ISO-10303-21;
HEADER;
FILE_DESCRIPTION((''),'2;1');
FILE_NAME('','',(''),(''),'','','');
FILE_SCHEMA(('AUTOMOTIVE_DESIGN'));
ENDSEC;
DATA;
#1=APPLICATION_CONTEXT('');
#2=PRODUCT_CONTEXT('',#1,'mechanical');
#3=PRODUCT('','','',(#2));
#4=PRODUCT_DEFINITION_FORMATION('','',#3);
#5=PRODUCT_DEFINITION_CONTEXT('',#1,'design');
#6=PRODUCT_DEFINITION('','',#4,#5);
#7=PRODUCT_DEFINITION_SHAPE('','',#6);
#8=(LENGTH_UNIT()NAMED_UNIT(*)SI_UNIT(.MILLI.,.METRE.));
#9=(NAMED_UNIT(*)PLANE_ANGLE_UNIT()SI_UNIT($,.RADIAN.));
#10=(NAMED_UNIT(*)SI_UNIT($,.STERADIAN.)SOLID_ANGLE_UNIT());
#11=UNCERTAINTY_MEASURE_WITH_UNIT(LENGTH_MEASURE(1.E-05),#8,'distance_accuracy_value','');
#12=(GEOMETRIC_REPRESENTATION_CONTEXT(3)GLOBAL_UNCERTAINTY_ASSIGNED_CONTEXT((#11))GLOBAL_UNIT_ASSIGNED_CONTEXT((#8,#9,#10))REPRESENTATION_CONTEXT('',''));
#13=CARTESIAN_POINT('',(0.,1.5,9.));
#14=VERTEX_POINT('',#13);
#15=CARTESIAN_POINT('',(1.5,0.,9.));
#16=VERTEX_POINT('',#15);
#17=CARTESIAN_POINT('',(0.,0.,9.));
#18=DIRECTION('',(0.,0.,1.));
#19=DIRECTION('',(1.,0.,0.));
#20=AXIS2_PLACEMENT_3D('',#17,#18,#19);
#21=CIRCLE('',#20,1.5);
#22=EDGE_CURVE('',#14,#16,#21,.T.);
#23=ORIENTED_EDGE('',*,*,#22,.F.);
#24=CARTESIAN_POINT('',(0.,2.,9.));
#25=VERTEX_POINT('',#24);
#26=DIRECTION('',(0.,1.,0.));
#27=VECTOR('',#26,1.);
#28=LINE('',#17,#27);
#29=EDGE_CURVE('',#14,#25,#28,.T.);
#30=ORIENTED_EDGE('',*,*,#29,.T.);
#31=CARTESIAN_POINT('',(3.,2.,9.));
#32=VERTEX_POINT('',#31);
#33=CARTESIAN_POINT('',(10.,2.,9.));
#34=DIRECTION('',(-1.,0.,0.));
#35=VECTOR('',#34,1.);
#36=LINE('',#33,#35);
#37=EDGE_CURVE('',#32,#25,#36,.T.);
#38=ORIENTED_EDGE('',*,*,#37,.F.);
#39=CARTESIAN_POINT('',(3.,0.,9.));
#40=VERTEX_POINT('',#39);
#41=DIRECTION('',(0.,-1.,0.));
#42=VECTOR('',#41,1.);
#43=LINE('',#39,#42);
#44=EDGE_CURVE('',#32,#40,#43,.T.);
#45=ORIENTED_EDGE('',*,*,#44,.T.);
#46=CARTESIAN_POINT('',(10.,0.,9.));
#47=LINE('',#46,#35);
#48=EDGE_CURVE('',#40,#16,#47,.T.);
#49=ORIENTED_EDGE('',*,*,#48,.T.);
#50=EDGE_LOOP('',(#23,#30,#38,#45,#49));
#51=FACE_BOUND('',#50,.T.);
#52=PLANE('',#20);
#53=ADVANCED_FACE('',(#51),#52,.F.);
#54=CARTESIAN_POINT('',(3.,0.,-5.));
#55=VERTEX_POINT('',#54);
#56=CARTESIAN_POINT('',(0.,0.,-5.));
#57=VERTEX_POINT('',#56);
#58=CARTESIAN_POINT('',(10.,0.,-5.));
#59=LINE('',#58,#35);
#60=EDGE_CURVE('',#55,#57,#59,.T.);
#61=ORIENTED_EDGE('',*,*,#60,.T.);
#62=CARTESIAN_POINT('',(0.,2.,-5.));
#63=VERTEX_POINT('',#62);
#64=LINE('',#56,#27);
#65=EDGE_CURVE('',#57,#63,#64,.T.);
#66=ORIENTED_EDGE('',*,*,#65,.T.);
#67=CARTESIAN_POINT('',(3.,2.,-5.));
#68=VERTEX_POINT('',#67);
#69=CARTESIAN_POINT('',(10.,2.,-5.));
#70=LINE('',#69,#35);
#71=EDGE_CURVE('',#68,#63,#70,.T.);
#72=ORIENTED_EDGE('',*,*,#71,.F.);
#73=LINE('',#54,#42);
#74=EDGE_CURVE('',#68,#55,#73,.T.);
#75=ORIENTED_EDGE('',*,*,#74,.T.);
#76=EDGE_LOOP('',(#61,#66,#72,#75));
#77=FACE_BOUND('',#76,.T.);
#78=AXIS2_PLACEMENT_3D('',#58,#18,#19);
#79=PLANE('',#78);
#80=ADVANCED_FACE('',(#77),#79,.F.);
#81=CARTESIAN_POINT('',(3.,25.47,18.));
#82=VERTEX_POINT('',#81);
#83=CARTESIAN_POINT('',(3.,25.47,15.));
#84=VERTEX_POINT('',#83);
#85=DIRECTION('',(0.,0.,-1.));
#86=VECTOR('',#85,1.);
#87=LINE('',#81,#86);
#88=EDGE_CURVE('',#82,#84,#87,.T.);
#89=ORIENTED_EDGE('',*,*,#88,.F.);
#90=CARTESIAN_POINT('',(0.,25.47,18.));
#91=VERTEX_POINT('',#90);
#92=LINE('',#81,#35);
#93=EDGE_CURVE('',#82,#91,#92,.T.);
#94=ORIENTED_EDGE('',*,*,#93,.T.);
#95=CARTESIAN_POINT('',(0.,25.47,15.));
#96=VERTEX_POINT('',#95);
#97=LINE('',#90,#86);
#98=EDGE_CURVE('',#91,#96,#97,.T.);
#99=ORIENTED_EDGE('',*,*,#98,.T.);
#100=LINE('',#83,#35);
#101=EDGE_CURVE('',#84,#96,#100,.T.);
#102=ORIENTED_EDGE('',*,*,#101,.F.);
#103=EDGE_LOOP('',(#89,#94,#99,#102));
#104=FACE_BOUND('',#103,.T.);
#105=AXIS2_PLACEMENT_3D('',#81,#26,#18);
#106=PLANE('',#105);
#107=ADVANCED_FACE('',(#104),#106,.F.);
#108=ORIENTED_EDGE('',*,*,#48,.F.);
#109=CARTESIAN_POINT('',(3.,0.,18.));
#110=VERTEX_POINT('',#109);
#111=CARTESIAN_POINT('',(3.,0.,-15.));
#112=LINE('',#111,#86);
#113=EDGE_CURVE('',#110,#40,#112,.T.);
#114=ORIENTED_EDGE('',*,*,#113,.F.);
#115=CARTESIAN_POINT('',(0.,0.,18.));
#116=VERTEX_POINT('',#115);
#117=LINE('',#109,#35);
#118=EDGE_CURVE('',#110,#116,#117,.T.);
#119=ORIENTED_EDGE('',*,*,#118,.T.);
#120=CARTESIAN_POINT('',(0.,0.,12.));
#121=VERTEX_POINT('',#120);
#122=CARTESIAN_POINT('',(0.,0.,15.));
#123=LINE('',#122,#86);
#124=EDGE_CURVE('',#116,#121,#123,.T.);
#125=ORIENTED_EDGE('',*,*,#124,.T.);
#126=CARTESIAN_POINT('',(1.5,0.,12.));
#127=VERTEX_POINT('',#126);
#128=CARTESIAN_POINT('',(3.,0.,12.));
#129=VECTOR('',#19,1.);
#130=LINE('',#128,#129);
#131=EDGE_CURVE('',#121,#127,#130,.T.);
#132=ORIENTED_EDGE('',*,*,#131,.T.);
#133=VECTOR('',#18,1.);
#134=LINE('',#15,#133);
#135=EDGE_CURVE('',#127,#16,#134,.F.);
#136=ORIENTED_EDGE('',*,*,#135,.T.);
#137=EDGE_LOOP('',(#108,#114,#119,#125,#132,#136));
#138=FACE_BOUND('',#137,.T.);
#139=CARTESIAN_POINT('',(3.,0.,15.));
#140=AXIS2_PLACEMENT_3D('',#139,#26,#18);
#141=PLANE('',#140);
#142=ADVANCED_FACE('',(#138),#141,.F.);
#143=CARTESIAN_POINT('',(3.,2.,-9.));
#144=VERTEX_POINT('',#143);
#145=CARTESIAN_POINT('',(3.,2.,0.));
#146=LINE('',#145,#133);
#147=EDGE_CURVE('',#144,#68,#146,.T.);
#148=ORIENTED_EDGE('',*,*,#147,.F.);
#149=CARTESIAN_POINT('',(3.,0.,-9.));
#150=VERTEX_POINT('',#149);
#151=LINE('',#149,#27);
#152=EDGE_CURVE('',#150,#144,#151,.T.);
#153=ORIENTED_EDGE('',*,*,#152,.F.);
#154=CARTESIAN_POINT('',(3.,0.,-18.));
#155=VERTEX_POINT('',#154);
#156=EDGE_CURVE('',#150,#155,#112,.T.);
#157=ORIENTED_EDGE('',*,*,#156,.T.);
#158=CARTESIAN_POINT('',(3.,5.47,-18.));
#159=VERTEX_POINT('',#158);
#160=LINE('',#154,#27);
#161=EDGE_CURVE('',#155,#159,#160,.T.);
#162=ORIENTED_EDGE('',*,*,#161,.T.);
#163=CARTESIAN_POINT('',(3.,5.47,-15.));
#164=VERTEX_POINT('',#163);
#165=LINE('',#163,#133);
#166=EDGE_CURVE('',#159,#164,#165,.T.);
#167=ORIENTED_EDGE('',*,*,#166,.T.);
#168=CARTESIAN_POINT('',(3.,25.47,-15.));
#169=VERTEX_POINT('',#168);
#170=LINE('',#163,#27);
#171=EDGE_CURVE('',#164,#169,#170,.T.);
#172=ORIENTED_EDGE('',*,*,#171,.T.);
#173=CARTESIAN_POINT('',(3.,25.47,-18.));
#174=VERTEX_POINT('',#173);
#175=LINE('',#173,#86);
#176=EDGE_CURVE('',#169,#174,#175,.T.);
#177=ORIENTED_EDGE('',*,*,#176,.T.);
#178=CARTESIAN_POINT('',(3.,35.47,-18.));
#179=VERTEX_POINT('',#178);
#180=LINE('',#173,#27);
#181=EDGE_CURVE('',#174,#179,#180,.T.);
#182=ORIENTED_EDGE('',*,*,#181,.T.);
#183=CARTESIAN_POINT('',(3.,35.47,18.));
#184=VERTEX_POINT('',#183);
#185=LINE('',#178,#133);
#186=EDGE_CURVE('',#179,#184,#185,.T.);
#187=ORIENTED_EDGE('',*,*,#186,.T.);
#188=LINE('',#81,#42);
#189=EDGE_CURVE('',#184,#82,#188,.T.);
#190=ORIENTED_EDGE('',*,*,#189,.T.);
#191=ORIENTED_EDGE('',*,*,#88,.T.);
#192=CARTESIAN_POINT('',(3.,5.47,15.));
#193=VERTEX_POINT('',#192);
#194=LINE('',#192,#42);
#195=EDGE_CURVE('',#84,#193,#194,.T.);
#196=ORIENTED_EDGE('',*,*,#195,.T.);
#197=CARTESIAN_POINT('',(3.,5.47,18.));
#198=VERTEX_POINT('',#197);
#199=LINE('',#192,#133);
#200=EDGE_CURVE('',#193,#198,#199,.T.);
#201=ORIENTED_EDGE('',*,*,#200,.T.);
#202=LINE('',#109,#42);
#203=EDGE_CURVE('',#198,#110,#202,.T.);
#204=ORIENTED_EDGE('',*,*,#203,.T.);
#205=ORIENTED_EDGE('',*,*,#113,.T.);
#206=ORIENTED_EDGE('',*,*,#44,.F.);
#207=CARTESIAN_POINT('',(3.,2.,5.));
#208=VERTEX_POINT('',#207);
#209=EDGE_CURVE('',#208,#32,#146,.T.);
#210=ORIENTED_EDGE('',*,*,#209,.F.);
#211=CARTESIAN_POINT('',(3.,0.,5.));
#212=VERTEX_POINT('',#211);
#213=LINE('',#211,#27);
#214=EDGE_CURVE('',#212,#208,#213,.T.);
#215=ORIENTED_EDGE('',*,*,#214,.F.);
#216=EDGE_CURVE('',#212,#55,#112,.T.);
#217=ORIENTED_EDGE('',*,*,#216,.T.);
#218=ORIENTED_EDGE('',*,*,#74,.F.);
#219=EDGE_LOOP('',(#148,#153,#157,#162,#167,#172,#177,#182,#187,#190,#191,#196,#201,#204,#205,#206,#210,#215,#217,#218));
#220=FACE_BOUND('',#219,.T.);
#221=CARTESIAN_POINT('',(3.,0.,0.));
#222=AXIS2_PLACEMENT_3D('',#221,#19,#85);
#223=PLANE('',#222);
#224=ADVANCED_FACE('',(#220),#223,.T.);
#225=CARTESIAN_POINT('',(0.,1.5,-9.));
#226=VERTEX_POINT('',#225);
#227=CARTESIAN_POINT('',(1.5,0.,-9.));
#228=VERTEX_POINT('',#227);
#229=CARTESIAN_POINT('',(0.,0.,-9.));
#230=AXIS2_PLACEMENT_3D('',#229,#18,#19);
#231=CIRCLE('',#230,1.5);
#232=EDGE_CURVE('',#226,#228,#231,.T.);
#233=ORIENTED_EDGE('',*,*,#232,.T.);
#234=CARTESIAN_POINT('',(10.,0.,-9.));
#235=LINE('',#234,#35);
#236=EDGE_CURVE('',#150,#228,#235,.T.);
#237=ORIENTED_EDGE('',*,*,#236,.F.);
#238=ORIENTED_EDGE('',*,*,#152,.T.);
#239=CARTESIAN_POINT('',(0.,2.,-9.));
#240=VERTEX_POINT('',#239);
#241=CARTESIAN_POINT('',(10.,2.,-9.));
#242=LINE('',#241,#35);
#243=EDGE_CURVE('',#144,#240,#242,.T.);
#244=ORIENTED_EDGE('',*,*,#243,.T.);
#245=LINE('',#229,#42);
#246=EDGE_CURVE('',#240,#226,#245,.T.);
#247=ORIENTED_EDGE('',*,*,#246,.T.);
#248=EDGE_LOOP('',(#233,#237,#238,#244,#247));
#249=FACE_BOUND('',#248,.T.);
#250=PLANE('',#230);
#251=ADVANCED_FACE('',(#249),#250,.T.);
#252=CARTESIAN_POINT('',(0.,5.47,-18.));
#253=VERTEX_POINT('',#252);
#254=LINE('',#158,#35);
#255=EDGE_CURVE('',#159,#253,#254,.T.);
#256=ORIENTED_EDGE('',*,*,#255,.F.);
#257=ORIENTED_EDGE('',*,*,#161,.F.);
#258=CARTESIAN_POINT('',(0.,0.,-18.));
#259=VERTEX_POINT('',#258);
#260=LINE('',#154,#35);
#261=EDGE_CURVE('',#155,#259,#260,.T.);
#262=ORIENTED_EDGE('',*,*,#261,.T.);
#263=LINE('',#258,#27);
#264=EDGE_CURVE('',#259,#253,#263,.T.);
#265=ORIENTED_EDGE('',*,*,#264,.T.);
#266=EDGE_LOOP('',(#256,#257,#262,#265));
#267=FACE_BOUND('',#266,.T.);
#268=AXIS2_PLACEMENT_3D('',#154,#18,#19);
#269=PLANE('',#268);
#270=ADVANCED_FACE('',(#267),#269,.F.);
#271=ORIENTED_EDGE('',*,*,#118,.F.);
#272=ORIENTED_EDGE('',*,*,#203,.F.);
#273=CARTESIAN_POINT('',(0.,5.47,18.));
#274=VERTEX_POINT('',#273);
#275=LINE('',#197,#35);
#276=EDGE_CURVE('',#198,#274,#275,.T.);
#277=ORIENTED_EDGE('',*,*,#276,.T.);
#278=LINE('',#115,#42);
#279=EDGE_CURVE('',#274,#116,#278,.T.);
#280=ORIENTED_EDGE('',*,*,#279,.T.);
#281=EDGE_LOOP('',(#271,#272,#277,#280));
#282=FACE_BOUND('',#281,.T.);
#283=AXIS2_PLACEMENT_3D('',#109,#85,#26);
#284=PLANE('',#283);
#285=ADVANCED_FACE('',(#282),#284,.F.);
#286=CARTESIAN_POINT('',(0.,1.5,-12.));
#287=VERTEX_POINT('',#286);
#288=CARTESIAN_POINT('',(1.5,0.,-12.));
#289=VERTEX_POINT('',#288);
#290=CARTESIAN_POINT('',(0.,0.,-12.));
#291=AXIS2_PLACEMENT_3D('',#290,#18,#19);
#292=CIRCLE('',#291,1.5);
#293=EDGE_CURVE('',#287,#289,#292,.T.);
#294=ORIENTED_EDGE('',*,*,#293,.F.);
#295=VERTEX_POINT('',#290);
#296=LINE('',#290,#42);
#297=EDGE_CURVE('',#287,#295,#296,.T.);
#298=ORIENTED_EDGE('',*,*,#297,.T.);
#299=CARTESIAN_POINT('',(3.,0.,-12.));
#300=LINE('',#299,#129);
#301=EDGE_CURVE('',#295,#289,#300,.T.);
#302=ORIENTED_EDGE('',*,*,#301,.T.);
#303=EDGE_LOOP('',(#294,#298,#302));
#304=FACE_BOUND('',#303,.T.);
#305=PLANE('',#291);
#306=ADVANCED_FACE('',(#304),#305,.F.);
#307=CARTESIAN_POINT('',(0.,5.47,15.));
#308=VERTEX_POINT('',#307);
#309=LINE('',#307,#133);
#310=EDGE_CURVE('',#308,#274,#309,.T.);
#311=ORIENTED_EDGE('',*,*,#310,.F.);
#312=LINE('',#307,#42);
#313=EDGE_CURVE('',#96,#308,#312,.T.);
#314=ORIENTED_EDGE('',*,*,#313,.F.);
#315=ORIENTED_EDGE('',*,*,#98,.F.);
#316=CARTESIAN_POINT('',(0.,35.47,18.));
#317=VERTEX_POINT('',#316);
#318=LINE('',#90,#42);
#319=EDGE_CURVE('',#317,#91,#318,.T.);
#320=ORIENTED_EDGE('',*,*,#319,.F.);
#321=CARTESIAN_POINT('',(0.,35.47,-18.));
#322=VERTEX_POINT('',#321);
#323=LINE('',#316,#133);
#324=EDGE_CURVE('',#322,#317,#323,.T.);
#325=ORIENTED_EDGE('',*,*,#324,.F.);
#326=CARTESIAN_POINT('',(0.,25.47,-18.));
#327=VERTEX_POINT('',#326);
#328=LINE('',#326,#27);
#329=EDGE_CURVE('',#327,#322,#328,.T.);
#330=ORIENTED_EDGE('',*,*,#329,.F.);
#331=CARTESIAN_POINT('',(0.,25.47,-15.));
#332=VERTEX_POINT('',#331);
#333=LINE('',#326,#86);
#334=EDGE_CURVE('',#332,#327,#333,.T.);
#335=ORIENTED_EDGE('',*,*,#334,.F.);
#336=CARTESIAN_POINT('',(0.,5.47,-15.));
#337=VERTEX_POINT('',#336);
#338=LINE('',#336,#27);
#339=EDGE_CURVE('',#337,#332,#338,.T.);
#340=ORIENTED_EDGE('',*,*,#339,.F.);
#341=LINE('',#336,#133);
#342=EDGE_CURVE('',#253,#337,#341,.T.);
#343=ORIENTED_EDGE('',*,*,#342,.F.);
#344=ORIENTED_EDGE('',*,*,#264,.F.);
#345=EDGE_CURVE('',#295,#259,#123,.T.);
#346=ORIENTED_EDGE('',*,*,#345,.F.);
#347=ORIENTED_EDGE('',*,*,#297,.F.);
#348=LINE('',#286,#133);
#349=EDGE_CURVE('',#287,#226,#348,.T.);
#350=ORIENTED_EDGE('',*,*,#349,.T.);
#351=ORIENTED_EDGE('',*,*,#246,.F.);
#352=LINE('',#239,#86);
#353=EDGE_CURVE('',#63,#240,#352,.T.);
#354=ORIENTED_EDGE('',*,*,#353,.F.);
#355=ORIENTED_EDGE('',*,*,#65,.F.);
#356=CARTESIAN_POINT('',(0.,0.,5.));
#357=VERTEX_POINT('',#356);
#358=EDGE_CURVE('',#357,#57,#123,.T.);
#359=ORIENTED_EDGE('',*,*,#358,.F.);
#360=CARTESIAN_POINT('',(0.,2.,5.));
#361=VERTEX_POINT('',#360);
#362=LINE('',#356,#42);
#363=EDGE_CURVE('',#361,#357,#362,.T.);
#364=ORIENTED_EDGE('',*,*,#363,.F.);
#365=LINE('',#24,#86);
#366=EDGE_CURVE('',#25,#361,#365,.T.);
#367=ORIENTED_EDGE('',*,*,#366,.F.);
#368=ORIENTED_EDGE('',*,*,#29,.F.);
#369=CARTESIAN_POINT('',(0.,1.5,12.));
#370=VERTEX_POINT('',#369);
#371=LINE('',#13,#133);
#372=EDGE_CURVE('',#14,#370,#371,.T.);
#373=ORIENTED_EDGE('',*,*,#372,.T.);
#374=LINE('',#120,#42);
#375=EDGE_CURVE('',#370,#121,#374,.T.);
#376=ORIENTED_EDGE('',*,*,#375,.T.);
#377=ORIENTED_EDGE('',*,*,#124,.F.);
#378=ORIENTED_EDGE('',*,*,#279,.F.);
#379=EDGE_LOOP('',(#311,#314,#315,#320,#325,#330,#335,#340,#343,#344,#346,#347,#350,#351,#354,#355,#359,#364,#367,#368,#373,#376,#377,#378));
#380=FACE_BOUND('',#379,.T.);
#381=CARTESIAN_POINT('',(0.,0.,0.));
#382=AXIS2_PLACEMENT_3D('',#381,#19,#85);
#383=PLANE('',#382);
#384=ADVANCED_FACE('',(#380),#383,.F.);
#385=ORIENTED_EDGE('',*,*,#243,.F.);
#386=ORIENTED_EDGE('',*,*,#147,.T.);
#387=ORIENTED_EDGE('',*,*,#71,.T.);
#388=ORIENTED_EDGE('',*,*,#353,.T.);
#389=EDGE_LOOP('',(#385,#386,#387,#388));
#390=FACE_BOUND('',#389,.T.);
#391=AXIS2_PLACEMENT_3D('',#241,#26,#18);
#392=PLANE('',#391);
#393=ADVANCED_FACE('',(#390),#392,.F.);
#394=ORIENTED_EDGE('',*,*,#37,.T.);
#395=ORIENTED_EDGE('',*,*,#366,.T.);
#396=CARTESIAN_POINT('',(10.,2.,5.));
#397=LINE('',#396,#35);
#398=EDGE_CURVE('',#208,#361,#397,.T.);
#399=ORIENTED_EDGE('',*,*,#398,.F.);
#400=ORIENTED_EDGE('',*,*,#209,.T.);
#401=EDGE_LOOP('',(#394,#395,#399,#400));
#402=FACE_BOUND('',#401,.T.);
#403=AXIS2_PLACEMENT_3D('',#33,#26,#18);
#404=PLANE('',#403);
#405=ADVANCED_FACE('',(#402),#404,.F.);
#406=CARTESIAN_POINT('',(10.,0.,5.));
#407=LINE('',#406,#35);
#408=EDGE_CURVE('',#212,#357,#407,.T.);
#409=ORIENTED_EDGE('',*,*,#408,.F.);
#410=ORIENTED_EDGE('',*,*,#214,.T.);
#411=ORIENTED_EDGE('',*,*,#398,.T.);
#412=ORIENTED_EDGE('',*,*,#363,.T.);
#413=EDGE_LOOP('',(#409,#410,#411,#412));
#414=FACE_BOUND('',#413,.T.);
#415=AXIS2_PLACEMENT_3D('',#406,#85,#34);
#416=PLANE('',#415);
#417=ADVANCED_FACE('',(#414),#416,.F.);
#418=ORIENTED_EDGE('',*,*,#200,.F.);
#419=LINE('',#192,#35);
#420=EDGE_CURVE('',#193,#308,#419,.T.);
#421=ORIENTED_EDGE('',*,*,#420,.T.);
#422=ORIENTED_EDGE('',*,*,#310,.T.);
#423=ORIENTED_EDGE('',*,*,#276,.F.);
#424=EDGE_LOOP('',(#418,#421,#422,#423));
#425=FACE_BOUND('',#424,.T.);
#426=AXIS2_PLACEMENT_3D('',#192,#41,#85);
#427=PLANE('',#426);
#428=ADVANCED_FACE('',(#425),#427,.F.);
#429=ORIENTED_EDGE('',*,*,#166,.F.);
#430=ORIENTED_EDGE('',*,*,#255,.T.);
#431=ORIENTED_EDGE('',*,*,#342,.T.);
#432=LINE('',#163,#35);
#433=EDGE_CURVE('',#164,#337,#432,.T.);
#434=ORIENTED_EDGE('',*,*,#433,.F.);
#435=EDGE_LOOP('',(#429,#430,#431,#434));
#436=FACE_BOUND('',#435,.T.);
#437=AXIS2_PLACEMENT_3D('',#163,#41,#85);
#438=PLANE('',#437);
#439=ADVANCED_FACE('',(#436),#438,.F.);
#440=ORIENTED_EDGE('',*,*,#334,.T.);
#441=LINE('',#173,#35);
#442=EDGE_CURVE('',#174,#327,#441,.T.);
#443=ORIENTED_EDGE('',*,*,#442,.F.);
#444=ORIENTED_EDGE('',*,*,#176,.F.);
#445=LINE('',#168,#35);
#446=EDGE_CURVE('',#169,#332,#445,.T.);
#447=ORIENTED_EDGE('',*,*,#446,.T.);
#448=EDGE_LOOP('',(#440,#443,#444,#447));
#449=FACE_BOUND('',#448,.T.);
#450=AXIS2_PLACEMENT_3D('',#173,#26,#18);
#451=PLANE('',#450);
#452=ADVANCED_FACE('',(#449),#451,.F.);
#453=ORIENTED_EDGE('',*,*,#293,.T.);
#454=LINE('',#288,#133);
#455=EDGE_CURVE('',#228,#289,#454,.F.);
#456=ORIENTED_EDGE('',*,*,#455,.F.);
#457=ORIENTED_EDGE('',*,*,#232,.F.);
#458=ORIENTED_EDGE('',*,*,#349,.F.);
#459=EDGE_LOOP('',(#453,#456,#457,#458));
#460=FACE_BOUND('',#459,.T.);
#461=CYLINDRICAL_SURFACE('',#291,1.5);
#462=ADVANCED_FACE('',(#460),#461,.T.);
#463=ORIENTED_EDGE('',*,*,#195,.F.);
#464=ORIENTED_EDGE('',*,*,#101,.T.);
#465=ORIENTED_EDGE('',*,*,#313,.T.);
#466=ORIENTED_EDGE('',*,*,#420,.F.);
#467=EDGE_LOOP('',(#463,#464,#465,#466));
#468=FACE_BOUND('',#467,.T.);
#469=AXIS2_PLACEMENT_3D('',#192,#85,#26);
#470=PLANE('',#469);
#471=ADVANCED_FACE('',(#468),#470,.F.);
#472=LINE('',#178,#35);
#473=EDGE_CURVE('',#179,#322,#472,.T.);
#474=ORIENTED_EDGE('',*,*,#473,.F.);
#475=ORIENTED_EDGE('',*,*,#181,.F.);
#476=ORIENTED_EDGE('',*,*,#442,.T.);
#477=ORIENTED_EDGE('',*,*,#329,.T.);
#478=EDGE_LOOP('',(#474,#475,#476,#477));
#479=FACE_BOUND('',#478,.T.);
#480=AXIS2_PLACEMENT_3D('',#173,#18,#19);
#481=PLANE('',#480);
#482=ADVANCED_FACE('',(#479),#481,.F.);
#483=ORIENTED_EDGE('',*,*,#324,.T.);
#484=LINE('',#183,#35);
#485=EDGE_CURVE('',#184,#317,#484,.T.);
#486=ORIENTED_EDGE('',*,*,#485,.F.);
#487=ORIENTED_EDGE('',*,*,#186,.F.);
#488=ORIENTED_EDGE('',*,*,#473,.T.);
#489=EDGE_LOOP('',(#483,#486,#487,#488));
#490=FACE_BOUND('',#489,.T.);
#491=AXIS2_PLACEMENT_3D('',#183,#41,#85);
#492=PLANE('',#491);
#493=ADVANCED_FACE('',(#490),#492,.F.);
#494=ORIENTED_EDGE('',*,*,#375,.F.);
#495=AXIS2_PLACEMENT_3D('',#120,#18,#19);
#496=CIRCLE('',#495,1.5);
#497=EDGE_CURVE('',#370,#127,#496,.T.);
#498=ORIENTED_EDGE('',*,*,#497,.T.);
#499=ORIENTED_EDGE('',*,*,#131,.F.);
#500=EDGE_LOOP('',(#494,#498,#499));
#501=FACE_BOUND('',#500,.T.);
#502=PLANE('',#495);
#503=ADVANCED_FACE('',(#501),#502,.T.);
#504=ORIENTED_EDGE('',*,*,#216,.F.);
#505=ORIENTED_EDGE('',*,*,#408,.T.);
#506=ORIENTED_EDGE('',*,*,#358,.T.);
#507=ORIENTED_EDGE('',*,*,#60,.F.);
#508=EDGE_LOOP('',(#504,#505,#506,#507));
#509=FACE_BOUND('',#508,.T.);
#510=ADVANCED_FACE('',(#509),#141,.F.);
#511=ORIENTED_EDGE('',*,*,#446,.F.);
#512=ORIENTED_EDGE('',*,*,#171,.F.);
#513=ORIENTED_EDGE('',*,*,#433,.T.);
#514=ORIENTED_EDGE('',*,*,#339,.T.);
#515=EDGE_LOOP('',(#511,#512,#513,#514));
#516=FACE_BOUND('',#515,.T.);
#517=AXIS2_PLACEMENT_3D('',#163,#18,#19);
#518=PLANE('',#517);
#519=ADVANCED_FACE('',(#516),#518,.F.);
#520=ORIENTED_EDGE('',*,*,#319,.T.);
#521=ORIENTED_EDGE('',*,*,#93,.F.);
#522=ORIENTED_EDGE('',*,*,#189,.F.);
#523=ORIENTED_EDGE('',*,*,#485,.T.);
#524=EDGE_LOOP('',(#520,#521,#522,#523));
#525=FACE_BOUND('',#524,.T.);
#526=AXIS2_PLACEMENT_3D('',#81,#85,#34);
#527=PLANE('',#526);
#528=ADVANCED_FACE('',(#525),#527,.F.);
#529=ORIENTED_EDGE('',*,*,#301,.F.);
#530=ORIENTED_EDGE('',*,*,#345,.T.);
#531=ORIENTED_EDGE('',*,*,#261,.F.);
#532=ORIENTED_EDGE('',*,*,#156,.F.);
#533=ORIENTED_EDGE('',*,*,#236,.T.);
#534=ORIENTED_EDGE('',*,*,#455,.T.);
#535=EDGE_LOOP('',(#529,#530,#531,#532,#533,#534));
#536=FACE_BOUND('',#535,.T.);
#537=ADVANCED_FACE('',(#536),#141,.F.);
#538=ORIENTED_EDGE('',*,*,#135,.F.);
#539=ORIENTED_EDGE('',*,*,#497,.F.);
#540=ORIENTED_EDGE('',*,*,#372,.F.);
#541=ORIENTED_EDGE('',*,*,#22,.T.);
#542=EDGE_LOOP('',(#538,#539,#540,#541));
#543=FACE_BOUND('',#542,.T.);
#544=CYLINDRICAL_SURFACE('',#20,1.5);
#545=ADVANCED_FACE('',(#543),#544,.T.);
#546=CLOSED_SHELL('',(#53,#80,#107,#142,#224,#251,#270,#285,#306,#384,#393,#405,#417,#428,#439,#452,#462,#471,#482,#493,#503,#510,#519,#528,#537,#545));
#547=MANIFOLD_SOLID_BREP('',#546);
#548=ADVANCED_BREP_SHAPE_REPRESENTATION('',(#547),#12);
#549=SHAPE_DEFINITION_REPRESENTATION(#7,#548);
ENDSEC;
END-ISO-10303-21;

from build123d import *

# Parameters (mm, degrees)
BOSS_EXTRUDE1_DEPTH = 3
SKETCH4_R           = 1.5
BOSS_EXTRUDE2_DEPTH = 3
LPATTERN1_COUNT     = 2
LPATTERN1_PITCH     = 21
SKETCH5_W           = 4
SKETCH5_H           = 2
CUT_EXTRUDE1_DEPTH  = 10


with BuildPart() as part:
    # Sketch1 → Boss-Extrude1 (new body)
    with BuildSketch(Plane(origin=(0, 0, 0), x_dir=(0, 0, -1), z_dir=(1, 0, 0))):
        Polygon((-15, 0), (15, 0), (18, 0), (18, 5.47), (15, 5.47), (15, 25.47), (18, 25.47), (18, 35.47), (15, 35.47), (-15, 35.47), (-18, 35.47), (-18, 25.47), (-15, 25.47), (-15, 5.47), (-18, 5.47), (-18, 0), align=None)
    extrude(amount=BOSS_EXTRUDE1_DEPTH)

    # Sketch4 → Boss-Extrude2 (add)
    with BuildSketch(Plane.XY.offset(12)):
        Circle(SKETCH4_R)
    boss_extrude2 = extrude(amount=-BOSS_EXTRUDE2_DEPTH)

    # LPattern1: Boss-Extrude2 ×2
    with Locations(*[(0, 0, -i * LPATTERN1_PITCH) for i in range(1, LPATTERN1_COUNT)]):
        add(boss_extrude2)

    # Sketch5 → Cut-Extrude1 (cut)
    with BuildSketch(Plane.ZY):
        with Locations((-7, 1)):
            Rectangle(SKETCH5_W, SKETCH5_H)
        with Locations((7, 1)):
            Rectangle(SKETCH5_W, SKETCH5_H)
    extrude(amount=-CUT_EXTRUDE1_DEPTH, mode=Mode.SUBTRACT)


solid = part.part
